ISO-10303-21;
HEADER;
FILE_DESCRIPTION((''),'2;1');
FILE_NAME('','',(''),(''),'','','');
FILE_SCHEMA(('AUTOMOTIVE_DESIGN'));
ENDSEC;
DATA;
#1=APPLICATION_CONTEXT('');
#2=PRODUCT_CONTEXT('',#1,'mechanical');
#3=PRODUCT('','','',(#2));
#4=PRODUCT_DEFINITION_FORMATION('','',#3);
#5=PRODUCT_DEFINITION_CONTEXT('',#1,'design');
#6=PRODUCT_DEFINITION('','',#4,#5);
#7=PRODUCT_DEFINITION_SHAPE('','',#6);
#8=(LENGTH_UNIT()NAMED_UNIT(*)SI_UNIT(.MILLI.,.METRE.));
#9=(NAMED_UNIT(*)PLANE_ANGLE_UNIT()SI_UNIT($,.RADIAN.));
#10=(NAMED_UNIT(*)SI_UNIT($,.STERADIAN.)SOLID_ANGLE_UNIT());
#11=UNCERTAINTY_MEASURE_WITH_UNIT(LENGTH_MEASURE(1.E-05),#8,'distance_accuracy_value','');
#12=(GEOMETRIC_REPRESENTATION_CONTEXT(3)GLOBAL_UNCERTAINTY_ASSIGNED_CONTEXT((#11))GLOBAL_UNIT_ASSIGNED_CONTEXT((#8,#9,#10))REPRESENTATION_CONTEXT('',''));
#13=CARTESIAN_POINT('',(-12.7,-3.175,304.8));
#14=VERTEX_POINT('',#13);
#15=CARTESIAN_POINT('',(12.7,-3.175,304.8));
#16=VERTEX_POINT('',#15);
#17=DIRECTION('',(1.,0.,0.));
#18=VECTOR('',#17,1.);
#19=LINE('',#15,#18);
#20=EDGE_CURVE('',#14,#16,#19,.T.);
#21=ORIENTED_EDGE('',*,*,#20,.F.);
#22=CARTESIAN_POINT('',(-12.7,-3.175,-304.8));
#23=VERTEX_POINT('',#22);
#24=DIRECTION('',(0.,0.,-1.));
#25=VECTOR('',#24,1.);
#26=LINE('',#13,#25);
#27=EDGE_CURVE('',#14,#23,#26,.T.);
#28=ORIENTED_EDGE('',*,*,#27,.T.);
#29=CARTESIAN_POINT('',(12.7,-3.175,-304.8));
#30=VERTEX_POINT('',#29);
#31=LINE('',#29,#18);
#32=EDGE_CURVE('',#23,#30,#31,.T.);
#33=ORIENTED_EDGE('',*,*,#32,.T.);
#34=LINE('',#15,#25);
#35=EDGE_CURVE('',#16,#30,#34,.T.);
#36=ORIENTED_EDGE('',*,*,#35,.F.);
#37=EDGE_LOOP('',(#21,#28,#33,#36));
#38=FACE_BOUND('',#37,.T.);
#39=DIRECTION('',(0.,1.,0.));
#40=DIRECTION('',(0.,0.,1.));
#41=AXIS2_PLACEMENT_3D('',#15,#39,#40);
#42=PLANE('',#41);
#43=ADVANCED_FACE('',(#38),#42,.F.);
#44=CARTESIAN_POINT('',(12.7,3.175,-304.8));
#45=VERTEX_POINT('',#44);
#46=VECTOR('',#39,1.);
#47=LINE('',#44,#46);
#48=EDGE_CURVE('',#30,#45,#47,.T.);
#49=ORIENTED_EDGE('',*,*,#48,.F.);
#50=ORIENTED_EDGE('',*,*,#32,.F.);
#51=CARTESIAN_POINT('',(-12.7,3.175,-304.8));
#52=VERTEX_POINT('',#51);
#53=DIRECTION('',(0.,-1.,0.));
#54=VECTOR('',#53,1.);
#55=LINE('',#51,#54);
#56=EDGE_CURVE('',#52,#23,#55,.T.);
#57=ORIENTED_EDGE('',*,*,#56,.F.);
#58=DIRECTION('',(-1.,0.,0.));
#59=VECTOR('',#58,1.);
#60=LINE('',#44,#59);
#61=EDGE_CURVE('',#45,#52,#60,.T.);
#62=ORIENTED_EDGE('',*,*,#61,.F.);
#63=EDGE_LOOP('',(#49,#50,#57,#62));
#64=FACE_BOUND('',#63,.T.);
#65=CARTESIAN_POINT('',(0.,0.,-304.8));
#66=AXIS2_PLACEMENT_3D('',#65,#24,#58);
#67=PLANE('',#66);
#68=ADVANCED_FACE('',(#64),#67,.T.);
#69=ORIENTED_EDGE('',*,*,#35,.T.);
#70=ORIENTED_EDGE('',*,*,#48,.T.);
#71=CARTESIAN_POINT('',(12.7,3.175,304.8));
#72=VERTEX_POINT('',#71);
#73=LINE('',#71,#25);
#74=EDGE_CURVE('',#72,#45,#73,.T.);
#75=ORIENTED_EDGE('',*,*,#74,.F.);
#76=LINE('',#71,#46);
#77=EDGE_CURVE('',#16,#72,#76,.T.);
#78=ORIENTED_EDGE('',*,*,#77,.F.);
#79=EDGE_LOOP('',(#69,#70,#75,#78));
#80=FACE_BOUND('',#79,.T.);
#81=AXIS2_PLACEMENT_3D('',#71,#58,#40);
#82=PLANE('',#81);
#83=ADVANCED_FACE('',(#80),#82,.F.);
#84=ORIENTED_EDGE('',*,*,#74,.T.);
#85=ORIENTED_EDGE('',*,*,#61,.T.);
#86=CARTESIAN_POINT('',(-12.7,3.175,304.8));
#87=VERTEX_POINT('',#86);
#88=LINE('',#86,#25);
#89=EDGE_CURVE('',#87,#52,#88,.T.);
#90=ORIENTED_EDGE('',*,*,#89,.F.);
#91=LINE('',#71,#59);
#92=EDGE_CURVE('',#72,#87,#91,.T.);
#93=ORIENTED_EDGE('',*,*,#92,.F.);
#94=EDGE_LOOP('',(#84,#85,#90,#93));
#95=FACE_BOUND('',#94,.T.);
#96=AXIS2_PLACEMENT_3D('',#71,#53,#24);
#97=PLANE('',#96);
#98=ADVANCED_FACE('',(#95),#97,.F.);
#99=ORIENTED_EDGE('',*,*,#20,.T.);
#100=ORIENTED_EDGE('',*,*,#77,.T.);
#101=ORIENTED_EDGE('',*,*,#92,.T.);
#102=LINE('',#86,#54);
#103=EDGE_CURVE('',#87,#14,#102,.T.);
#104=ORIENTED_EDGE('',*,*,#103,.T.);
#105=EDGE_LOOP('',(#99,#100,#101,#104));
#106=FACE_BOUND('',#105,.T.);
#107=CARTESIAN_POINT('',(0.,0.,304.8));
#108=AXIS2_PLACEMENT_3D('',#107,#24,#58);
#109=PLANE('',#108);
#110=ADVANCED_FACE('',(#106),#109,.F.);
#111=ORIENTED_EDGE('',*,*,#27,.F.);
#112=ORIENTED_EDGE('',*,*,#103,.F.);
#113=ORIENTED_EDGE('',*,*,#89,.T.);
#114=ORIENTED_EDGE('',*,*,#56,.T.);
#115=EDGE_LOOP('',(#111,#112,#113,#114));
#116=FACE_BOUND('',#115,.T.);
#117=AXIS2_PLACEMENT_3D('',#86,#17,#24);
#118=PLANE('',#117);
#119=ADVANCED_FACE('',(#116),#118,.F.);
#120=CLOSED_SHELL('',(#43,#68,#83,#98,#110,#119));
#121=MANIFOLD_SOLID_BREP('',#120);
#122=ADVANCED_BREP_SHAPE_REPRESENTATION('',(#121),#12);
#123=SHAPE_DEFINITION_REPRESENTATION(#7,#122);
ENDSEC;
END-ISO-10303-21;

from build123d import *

# Parameters (mm, degrees)
BOSS_EXTRUDE1_DEPTH      = 304.8
BOSS_EXTRUDE1_DEPTH_BACK = 304.8
SKETCH3_W                = 25.4
SKETCH3_H                = 6.35


with BuildPart() as part:
    # Sketch3 → Boss-Extrude1 (new, two sides: drawn at the far end of the back side and taken through both)
    with BuildSketch(Plane.XY.offset(-BOSS_EXTRUDE1_DEPTH_BACK)):
        Rectangle(SKETCH3_W, SKETCH3_H)
    extrude(amount=BOSS_EXTRUDE1_DEPTH + BOSS_EXTRUDE1_DEPTH_BACK)


solid = part.part
